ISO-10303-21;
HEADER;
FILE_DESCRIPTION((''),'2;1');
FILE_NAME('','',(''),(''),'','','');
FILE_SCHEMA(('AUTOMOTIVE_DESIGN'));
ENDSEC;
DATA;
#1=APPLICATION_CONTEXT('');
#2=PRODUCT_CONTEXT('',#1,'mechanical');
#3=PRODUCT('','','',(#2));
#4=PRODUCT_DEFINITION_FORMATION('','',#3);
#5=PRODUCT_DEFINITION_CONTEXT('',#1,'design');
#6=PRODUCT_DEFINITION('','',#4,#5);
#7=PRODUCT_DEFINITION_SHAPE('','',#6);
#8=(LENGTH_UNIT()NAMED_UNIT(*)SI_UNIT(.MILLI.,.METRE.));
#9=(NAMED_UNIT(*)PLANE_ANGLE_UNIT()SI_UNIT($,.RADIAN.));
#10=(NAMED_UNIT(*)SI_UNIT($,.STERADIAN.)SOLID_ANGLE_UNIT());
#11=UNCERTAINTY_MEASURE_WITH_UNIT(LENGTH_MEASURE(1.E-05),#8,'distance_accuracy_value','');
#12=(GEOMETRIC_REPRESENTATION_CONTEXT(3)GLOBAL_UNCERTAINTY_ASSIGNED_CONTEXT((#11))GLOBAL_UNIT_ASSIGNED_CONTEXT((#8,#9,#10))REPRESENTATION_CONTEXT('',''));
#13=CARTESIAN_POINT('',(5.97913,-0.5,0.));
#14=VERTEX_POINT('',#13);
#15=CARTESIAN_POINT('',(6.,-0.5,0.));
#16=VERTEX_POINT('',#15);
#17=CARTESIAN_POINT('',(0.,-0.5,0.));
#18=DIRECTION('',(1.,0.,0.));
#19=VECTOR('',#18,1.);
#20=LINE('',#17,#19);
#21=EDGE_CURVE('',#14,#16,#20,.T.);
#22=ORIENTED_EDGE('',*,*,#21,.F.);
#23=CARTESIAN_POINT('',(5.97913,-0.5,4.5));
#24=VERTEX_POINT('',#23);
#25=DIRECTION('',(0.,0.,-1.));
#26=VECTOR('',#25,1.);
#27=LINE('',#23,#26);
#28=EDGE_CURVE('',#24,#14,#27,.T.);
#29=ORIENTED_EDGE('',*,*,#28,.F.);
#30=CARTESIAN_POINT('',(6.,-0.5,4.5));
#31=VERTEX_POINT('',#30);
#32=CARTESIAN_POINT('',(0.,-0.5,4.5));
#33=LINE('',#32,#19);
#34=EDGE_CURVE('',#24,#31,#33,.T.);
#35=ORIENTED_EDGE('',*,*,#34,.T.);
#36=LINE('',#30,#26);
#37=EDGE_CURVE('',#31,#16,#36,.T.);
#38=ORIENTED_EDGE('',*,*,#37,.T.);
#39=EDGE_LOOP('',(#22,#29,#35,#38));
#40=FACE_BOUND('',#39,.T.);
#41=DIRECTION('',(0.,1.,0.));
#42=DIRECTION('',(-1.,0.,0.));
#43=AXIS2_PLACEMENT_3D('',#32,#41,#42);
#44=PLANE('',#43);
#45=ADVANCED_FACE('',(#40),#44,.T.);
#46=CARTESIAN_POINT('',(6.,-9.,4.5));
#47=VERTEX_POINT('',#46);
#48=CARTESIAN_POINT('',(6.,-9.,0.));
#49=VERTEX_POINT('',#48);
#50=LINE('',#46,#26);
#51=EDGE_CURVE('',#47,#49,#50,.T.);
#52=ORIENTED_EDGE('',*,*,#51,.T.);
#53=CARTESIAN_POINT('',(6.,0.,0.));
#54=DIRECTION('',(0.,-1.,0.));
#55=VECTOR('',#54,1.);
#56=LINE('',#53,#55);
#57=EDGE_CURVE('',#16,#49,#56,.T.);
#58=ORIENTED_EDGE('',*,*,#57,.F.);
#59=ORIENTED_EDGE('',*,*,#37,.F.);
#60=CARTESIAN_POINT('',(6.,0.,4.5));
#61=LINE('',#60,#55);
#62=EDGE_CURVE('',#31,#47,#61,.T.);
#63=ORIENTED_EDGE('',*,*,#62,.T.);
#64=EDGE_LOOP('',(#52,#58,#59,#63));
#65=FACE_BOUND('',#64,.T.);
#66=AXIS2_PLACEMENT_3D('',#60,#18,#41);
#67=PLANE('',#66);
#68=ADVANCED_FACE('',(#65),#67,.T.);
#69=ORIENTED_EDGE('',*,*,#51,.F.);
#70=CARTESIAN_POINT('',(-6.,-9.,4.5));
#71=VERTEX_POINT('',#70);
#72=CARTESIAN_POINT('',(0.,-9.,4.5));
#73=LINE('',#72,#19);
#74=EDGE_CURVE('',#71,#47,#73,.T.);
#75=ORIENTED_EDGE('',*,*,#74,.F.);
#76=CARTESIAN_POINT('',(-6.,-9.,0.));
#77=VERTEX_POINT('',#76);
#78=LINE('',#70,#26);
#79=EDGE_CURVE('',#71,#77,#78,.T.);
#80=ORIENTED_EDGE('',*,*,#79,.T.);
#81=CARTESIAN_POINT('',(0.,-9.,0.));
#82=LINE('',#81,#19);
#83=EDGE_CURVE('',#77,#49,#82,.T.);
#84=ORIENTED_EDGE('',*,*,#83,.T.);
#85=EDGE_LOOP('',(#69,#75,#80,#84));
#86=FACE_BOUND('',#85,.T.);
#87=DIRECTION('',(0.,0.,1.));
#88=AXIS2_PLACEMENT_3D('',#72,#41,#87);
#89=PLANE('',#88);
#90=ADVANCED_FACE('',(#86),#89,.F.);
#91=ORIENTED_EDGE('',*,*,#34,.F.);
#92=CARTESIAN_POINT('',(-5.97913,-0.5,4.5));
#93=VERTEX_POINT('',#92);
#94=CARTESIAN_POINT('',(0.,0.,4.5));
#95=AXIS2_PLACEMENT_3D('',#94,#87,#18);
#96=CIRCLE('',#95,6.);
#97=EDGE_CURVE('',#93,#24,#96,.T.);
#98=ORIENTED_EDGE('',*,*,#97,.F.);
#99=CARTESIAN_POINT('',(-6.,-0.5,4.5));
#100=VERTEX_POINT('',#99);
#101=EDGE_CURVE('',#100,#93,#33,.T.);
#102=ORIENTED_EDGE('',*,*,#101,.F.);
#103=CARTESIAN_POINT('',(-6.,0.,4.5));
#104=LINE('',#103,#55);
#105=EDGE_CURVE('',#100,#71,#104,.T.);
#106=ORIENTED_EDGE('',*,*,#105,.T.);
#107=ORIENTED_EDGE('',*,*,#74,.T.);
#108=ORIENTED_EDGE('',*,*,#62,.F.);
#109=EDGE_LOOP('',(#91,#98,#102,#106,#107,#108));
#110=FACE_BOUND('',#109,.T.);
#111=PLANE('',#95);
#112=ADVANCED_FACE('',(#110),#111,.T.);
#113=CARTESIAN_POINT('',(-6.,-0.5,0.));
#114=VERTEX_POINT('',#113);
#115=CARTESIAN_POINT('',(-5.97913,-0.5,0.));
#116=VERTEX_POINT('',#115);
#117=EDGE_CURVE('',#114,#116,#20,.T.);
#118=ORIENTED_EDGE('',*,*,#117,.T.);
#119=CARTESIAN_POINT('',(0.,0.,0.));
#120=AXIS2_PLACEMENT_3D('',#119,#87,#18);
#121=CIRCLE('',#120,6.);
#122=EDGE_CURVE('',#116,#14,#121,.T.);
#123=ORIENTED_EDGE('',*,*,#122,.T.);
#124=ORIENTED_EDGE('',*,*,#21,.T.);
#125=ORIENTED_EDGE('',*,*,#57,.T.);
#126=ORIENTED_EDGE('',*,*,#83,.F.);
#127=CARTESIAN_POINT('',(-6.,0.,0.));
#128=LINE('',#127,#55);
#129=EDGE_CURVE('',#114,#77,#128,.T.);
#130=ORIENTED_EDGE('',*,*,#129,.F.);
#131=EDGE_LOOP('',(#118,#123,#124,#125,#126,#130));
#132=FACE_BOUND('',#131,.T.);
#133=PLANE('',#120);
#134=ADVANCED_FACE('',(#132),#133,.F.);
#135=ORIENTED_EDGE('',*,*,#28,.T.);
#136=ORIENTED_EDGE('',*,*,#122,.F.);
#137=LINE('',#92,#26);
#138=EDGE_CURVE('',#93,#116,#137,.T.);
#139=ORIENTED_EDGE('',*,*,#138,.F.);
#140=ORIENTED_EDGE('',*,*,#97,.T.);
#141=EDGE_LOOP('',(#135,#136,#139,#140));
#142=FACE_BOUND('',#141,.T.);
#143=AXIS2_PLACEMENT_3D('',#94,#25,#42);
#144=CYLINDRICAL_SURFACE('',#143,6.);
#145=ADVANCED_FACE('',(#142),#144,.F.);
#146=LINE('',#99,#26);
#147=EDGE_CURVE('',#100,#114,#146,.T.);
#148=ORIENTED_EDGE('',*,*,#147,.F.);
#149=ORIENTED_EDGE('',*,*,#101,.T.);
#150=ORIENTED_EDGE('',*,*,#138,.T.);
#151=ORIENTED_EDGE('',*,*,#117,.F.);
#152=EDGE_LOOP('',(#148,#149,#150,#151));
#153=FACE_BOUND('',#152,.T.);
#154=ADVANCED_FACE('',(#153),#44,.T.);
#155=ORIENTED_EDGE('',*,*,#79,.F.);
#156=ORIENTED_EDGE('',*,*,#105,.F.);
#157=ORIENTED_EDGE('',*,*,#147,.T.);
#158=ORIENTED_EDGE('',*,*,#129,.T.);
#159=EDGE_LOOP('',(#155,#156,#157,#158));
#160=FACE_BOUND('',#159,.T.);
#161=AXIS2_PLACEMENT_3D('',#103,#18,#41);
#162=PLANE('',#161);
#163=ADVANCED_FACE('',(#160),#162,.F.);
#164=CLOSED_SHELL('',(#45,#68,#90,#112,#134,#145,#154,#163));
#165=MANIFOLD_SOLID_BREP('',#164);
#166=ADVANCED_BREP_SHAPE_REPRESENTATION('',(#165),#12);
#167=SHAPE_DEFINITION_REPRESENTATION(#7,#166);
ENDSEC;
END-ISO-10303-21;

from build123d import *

# Parameters (mm, degrees)
BOSS_EXTRUDE3_DEPTH = 4.5


with BuildPart() as part:
    # Sketch9<3> → Boss-Extrude3 (new body)
    with BuildSketch(Plane.XY):
        with BuildLine():
            Line((-5.979130372, -0.5), (-6, -0.5))
            Line((-6, -0.5), (-6, -9))
            Line((-6, -9), (6, -9))
            Line((6, -9), (6, -0.5))
            Line((6, -0.5), (5.979130372, -0.5))
            ThreePointArc((5.979130372, -0.5), (0, -6), (-5.979130372, -0.5))
        make_face()
    extrude(amount=BOSS_EXTRUDE3_DEPTH)


solid = part.part
